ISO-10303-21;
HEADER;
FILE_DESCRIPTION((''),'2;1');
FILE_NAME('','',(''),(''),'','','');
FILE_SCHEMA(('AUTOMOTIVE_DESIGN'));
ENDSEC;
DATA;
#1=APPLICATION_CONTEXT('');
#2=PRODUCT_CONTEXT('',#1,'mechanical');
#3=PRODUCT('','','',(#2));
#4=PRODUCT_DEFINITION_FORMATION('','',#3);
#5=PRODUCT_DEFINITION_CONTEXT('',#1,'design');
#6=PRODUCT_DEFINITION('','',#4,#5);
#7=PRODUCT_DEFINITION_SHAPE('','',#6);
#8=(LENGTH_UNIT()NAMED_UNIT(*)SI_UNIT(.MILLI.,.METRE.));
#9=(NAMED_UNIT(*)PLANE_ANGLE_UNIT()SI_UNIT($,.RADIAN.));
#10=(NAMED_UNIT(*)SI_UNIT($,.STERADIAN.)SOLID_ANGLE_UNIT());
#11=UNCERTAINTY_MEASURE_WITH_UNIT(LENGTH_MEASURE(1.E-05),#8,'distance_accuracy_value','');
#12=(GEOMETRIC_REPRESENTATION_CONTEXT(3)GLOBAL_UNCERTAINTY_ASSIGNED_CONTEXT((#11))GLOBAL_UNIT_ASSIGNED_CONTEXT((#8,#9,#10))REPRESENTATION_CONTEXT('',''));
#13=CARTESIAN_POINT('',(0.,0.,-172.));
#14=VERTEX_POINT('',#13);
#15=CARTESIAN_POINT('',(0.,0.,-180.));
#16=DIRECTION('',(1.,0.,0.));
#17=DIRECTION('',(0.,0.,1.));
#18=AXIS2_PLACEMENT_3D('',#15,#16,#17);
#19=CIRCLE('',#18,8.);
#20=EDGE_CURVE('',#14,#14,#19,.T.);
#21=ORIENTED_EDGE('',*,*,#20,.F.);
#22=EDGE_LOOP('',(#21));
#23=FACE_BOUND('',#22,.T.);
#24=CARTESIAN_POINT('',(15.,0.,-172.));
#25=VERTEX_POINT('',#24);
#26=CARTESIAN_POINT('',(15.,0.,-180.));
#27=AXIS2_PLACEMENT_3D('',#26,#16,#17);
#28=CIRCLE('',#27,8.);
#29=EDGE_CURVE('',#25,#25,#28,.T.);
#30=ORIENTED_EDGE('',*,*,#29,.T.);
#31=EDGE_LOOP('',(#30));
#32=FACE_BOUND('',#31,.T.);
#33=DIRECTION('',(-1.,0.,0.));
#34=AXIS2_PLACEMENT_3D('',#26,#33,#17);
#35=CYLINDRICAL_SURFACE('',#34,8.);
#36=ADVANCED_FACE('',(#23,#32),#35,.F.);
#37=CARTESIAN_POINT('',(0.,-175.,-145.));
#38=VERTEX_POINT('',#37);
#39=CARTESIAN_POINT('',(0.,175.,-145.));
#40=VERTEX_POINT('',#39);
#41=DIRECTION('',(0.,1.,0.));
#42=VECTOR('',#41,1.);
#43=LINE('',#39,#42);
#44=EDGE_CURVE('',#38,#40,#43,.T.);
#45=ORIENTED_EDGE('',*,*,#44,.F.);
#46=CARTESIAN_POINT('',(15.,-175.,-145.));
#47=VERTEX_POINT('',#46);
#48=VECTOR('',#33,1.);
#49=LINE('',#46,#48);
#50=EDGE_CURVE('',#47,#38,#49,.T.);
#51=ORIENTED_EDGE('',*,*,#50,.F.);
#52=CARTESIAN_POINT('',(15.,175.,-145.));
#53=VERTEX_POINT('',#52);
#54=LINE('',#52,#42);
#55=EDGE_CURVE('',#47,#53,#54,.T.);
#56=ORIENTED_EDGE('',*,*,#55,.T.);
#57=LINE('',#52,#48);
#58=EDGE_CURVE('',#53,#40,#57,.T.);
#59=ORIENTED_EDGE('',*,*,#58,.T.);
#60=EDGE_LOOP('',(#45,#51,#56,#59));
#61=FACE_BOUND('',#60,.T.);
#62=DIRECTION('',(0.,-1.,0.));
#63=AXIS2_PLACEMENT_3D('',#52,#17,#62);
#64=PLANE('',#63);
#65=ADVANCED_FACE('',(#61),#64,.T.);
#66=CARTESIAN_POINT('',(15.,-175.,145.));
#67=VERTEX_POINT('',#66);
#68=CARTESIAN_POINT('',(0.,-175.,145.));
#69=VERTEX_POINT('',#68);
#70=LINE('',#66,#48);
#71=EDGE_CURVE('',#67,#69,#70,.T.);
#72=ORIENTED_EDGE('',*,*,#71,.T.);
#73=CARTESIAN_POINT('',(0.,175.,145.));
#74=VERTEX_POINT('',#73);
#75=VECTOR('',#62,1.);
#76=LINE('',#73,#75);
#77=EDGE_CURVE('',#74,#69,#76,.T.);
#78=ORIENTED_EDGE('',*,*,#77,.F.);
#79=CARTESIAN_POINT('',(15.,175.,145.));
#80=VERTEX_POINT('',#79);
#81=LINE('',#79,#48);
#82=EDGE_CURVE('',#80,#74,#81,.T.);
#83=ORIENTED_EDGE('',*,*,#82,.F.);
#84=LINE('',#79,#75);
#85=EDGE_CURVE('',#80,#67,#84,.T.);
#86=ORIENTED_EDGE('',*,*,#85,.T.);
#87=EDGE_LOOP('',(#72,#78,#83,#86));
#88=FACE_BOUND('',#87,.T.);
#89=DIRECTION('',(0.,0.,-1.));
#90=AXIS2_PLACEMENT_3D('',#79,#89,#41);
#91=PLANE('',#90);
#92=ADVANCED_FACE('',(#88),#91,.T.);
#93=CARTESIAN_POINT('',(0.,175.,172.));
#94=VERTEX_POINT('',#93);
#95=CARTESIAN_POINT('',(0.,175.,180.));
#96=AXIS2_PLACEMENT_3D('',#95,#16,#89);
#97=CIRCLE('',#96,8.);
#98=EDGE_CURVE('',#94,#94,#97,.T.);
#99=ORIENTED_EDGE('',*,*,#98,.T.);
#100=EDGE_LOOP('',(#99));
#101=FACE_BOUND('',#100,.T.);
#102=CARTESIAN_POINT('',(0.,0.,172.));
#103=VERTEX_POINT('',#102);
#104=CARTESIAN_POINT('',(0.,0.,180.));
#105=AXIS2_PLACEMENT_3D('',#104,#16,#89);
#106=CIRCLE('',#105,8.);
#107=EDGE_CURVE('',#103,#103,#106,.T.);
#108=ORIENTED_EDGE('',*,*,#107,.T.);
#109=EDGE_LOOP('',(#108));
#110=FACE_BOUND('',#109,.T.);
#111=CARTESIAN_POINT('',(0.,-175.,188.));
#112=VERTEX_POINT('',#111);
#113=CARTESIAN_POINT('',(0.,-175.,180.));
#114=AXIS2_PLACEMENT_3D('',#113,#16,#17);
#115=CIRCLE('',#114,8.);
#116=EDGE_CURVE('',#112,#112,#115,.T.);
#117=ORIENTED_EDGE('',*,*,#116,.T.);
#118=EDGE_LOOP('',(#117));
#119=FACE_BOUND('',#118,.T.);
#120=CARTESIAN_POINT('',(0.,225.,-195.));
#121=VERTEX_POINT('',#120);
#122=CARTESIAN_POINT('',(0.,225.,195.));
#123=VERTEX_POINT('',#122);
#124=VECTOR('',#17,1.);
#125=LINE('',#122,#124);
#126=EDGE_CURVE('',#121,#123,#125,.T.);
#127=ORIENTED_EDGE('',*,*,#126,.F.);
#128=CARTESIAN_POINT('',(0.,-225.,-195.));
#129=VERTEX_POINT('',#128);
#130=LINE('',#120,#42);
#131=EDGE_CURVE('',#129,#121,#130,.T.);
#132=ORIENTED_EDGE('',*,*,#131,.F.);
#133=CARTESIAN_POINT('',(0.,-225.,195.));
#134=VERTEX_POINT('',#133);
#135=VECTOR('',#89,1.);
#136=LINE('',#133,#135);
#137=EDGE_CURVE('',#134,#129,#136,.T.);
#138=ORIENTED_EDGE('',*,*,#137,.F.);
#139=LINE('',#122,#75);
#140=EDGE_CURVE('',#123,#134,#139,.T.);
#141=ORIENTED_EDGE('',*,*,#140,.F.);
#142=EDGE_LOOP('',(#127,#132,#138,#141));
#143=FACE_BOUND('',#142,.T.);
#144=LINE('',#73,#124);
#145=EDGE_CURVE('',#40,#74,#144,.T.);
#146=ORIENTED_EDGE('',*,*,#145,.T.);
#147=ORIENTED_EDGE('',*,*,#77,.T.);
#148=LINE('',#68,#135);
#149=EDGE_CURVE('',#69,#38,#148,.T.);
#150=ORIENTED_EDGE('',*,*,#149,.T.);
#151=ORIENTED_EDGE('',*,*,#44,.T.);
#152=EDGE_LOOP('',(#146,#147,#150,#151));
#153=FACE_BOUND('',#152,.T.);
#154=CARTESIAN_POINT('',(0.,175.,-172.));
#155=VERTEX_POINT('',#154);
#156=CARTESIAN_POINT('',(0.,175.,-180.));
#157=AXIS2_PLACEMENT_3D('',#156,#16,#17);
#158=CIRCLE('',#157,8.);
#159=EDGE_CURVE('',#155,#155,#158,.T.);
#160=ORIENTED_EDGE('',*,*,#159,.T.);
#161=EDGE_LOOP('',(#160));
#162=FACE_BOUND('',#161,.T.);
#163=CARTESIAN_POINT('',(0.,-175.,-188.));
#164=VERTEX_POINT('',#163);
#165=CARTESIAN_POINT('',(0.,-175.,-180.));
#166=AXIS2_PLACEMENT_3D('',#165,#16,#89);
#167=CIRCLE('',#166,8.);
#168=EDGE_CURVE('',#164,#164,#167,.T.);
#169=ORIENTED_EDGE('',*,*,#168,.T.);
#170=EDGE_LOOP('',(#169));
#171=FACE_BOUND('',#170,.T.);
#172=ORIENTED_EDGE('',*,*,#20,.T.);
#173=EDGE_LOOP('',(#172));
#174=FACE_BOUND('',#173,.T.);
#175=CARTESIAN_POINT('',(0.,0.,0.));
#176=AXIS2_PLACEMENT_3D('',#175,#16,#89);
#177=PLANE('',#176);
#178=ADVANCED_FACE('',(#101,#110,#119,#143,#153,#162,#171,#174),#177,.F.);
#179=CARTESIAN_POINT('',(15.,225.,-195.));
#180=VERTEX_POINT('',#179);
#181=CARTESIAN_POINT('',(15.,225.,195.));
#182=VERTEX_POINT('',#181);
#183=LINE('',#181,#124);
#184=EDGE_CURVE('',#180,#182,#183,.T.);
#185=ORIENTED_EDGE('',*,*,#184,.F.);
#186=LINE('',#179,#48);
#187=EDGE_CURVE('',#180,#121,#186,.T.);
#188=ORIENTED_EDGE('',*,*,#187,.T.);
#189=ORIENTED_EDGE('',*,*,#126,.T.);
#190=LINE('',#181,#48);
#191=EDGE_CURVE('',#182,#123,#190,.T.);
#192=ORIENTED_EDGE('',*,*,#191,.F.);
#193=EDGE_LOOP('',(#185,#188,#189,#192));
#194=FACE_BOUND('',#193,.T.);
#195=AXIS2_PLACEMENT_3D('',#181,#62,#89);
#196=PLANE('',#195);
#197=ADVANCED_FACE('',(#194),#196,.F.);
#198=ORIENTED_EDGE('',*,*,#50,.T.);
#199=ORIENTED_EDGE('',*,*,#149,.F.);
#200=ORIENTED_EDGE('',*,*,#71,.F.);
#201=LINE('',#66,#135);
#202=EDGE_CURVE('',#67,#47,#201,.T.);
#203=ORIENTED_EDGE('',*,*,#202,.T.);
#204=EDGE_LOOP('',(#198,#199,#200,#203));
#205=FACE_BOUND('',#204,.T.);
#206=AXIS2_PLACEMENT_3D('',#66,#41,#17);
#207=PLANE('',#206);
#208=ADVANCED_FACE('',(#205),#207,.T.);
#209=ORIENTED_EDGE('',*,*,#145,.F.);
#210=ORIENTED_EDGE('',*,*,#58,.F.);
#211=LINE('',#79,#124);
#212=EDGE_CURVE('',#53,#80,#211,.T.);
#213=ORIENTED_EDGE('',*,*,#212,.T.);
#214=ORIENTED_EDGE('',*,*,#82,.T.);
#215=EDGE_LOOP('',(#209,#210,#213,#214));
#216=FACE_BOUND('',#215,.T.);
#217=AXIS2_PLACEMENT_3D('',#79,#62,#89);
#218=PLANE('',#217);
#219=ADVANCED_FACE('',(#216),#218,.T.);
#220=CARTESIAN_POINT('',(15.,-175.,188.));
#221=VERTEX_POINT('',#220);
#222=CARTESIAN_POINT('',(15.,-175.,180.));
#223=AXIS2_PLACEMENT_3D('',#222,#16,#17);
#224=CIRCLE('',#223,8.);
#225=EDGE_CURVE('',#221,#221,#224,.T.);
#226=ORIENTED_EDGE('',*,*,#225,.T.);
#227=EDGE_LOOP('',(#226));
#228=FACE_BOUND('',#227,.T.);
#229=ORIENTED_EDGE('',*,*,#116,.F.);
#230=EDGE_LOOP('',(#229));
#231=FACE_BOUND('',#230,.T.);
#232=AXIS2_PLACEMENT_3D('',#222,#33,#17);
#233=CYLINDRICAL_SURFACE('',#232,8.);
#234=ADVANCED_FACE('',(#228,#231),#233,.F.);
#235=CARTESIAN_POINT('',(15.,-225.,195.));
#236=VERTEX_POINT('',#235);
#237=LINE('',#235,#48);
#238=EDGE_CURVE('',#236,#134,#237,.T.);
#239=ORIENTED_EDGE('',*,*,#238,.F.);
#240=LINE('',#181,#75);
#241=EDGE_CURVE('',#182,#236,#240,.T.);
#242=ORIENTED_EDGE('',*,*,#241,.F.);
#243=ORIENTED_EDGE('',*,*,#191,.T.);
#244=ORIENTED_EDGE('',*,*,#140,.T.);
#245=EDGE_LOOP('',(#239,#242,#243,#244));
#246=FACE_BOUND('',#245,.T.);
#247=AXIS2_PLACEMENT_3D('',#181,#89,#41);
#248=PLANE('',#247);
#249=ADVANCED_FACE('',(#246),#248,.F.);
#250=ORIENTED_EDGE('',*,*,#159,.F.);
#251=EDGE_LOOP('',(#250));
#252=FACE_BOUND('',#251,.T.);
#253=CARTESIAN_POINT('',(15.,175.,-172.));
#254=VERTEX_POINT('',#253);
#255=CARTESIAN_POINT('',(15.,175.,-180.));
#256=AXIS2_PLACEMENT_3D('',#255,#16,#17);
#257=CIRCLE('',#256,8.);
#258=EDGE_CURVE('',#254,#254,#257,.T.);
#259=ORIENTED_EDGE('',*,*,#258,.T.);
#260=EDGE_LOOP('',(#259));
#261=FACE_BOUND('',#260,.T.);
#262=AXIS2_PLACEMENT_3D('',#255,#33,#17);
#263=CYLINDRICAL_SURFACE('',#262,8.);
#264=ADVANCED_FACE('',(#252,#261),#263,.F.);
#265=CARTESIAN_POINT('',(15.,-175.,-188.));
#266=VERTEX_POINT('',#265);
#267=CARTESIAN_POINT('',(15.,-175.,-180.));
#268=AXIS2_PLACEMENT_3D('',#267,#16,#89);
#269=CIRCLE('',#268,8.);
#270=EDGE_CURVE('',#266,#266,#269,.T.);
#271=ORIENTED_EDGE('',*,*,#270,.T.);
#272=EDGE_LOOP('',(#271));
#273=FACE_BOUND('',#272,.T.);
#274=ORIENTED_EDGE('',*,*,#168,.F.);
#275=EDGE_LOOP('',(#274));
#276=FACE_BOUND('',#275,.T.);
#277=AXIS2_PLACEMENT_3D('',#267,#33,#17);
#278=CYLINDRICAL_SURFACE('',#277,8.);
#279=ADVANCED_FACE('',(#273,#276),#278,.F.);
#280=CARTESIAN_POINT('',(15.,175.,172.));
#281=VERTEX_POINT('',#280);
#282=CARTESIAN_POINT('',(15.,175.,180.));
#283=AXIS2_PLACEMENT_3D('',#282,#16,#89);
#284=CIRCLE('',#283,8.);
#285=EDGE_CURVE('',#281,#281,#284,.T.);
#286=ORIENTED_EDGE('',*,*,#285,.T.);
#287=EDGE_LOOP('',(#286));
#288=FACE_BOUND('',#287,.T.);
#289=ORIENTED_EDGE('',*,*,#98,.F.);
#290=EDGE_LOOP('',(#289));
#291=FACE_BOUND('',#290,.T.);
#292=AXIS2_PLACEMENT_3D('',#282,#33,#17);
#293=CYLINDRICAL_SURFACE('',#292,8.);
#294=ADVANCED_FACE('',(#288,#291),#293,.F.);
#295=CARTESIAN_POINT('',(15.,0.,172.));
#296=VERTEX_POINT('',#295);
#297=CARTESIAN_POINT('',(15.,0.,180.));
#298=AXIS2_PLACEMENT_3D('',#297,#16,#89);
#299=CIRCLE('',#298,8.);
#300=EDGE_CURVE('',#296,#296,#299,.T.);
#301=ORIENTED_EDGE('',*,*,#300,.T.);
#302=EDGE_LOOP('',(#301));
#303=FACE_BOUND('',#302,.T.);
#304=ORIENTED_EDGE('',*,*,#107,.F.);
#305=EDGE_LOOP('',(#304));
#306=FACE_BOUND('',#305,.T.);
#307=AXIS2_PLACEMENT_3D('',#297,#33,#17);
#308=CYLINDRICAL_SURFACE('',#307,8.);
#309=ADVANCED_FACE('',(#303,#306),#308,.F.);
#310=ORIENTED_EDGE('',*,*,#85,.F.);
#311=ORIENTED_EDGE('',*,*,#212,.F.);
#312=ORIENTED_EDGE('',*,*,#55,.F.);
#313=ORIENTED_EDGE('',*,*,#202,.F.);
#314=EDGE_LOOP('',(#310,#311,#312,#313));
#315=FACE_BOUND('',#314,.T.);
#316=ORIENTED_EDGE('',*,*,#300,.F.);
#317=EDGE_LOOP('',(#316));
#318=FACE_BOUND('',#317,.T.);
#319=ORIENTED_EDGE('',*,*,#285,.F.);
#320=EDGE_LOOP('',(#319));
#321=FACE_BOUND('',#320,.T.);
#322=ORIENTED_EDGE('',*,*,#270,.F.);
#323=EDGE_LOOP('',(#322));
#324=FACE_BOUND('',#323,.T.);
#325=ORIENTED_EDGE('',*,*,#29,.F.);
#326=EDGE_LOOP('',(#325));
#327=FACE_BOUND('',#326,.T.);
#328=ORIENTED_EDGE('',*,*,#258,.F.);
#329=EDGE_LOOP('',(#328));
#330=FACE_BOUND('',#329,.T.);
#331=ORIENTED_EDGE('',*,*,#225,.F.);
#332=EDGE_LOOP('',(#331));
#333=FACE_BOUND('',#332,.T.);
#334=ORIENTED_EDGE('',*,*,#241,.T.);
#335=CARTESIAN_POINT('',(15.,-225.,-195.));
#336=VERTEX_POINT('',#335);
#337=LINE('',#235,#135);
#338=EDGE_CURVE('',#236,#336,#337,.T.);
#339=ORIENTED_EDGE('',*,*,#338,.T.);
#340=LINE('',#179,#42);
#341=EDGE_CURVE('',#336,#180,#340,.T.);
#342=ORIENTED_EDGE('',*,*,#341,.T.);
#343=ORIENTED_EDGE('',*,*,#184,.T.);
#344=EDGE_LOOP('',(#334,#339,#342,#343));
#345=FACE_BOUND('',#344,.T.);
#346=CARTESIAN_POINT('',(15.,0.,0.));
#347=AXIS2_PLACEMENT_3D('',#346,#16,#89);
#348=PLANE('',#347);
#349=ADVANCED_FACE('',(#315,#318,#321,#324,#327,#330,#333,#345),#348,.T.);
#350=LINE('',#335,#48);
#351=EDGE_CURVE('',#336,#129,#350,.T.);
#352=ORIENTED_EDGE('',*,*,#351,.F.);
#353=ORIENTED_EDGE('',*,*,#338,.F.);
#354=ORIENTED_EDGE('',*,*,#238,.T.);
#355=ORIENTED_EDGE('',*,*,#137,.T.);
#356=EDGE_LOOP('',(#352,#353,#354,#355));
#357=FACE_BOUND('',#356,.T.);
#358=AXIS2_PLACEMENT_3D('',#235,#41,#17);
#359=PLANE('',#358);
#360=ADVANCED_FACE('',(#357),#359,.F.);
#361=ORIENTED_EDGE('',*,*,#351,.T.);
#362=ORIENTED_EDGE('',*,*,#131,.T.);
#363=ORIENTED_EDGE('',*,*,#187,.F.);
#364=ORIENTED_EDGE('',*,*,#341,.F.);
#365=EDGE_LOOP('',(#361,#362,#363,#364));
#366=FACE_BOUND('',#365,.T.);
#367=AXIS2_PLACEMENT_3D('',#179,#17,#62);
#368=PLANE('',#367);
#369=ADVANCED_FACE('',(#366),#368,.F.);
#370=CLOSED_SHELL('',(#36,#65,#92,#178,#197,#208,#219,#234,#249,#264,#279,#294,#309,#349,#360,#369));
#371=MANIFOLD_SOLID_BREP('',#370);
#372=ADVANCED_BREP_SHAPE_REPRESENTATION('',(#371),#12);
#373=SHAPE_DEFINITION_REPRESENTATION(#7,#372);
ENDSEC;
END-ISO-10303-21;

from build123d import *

# Parameters (mm, degrees)
SKETCH_1_W      = 390
SKETCH_1_H      = 450
SKETCH_1_R      = 8
SKETCH_1_W_2    = 290
SKETCH_1_H_2    = 350
EXTRUDE_1_DEPTH = 15


with BuildPart() as part:
    # 草图1 → 凸台-拉伸1 (new body)
    with BuildSketch(Plane(origin=(0, 0, 0), x_dir=(0, 0, -1), z_dir=(1, 0, 0))):
        Rectangle(SKETCH_1_W, SKETCH_1_H)
        with Locations((-180, 175)):
            Circle(SKETCH_1_R, mode=Mode.SUBTRACT)
        with Locations(Location((-180, -175, 0), (0, 0, 180))):
            Circle(SKETCH_1_R, mode=Mode.SUBTRACT)
        with Locations((-180, 0)):
            Circle(SKETCH_1_R, mode=Mode.SUBTRACT)
        with Locations(Location((180, 175, 0), (0, 0, 180))):
            Circle(SKETCH_1_R, mode=Mode.SUBTRACT)
        with Locations(Location((180, 0, 0), (0, 0, 180))):
            Circle(SKETCH_1_R, mode=Mode.SUBTRACT)
        with Locations((180, -175)):
            Circle(SKETCH_1_R, mode=Mode.SUBTRACT)
        Rectangle(SKETCH_1_W_2, SKETCH_1_H_2, mode=Mode.SUBTRACT)
    extrude(amount=EXTRUDE_1_DEPTH)


solid = part.part
